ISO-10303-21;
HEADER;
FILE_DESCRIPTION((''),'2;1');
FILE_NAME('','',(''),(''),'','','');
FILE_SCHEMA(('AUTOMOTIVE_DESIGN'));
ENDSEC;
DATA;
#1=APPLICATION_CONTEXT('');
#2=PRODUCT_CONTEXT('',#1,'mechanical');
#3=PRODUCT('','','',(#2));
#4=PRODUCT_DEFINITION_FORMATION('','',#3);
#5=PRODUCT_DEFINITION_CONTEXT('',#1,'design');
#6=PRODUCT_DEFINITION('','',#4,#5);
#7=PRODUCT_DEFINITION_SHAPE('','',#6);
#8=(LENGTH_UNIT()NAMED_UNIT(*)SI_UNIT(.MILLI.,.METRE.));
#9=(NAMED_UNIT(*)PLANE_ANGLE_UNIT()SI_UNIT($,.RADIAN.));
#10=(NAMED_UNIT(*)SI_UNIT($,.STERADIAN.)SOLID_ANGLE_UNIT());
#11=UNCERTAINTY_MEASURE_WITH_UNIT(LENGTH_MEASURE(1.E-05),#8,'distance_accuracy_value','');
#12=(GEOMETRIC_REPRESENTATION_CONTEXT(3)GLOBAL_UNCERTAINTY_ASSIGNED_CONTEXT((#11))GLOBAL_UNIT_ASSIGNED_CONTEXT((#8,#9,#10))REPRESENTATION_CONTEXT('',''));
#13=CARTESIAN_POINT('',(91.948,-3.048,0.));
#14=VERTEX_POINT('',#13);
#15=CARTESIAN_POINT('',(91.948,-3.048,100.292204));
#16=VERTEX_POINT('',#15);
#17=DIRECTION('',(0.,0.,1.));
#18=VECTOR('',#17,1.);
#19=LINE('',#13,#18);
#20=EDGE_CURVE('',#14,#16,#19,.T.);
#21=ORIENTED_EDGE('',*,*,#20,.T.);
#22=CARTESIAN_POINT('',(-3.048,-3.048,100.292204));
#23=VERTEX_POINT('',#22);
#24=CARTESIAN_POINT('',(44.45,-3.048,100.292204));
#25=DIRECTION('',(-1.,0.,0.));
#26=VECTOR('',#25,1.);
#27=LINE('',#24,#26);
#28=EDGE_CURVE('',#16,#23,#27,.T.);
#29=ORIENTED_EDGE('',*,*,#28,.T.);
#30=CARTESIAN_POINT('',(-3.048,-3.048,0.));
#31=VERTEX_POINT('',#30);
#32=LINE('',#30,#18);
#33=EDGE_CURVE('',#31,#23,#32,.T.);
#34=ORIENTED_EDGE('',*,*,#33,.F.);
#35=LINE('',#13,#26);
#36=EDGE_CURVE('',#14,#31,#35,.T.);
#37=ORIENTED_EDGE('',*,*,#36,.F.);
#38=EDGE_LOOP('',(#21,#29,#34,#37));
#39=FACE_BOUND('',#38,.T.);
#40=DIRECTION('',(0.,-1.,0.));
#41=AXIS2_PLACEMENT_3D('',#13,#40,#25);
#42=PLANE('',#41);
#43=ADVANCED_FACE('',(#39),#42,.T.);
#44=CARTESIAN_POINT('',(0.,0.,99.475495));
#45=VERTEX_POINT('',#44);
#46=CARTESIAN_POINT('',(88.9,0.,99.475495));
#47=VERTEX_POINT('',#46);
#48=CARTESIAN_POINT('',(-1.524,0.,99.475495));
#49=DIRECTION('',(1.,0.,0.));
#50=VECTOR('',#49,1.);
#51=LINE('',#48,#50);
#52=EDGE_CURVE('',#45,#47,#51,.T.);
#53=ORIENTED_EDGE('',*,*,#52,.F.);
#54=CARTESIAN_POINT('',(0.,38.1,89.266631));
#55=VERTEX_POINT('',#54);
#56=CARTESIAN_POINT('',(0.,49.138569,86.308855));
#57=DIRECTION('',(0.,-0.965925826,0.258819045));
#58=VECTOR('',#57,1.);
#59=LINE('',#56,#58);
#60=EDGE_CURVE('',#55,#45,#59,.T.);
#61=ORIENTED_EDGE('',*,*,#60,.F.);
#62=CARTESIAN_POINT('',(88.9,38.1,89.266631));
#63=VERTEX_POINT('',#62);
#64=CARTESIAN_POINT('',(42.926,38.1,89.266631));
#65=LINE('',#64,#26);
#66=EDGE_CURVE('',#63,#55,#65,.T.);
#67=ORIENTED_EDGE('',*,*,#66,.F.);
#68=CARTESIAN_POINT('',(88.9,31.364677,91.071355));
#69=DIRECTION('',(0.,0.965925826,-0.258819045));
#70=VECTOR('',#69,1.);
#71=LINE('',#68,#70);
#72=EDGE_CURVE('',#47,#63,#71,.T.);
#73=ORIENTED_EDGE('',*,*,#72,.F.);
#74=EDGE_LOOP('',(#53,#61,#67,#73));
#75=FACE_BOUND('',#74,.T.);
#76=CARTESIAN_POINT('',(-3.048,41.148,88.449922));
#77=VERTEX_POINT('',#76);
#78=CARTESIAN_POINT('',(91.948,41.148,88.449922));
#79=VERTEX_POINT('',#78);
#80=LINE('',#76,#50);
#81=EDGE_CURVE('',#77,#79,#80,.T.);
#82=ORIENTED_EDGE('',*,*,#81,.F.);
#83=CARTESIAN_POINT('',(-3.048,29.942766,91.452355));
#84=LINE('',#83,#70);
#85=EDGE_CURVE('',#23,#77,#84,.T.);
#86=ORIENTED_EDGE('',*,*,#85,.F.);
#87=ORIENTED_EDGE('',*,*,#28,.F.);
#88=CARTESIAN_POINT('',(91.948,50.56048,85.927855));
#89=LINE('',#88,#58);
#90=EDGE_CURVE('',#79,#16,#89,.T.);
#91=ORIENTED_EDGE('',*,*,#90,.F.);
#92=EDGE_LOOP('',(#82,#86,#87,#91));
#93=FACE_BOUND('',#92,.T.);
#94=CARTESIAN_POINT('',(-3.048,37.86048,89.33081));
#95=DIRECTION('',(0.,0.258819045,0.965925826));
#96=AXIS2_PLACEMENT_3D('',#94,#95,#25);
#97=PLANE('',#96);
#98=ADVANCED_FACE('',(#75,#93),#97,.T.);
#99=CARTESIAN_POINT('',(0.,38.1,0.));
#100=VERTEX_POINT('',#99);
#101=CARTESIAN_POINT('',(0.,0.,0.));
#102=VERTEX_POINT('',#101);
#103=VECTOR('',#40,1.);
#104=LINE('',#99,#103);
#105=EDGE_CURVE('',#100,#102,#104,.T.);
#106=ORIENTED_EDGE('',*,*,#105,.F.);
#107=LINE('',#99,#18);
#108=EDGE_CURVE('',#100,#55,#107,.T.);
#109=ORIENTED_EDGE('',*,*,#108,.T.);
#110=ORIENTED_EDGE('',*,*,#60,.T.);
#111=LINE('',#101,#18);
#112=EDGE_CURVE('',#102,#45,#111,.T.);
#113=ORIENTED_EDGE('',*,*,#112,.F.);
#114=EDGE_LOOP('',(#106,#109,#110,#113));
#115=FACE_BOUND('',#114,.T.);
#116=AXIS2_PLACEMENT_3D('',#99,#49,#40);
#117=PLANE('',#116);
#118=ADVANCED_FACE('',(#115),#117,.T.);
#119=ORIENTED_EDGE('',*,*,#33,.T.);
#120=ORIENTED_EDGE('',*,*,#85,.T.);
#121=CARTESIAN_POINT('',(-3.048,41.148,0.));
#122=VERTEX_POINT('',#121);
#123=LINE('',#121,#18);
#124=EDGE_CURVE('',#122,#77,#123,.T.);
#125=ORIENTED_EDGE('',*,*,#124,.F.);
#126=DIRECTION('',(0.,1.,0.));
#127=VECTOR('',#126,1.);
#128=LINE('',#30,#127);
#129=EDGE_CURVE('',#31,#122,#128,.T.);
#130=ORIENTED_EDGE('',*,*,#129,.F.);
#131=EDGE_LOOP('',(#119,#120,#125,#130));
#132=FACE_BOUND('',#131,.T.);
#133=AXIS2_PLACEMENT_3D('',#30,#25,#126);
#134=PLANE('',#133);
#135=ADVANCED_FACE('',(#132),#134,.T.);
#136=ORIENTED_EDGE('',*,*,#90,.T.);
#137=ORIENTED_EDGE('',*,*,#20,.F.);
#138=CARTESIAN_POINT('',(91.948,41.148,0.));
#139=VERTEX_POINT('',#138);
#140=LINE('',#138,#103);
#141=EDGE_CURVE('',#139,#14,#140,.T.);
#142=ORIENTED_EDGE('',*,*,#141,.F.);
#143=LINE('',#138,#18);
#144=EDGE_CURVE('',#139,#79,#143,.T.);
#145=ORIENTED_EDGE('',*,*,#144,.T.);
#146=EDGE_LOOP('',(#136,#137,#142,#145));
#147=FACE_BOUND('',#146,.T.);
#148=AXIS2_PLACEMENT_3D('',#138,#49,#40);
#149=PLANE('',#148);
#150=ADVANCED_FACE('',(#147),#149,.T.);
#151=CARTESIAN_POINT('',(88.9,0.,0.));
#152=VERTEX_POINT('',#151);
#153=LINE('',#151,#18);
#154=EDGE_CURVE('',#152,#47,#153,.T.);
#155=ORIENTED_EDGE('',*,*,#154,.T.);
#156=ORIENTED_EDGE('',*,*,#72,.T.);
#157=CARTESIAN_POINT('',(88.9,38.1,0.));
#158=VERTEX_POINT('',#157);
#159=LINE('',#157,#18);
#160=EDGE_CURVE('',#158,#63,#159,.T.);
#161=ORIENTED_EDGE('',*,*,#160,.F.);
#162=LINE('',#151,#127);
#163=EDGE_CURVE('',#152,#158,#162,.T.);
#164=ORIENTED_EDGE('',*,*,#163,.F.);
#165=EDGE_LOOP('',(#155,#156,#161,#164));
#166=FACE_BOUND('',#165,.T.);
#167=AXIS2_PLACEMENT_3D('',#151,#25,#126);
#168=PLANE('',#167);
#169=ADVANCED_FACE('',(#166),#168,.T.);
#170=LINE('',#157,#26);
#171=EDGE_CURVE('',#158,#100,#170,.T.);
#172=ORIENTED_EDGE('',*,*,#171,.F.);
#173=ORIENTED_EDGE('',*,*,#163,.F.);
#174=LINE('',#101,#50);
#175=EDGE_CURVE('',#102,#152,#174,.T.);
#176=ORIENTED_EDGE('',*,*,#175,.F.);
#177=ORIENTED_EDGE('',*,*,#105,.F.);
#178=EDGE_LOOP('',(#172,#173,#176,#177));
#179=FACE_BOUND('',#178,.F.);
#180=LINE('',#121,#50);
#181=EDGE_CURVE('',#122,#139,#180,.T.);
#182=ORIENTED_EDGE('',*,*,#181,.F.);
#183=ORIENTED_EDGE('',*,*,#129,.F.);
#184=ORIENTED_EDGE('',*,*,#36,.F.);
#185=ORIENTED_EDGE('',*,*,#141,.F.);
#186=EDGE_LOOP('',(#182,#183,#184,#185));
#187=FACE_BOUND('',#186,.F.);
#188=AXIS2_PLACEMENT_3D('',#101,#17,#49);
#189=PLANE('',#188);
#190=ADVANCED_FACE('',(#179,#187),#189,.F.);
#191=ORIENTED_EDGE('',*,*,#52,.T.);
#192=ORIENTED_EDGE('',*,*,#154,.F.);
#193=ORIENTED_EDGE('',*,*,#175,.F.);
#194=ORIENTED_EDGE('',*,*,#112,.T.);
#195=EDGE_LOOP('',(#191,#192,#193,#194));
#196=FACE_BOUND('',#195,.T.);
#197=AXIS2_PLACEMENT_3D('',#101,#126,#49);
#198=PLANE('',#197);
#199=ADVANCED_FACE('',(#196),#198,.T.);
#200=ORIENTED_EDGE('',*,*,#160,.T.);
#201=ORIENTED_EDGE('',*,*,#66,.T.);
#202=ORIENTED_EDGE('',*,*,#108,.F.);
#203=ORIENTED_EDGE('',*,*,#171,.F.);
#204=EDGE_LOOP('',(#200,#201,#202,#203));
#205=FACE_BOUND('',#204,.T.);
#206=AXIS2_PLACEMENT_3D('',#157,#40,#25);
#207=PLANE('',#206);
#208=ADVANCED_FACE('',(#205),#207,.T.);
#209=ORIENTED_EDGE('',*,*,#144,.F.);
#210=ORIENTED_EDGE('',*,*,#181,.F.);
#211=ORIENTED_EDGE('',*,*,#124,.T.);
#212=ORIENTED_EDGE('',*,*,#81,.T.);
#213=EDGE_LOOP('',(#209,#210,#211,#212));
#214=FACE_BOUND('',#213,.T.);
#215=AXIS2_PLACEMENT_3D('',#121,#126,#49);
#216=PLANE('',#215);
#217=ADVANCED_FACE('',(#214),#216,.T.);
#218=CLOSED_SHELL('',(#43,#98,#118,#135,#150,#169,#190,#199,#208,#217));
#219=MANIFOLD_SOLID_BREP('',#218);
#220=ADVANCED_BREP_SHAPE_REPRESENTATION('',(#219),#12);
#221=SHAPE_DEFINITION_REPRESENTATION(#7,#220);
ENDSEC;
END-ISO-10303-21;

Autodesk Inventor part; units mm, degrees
ref_plane "YZ Plane" through (0, 0, 0) normal (1, 0, 0) x (0, 1, 0)
ref_plane "XZ Plane" through (0, 0, 0) normal (0, 1, 0) x (-1, 0, 0)
sketch "Sketch1" plane through (0, 0, 0) normal (0, 0, 1) x (1, 0, 0)
  line L0 (0, 0) -> (88.9, 0)
  line L1 (88.9, 0) -> (88.9, 38.1)
  line L2 (88.9, 38.1) -> (0, 38.1)
  line L3 (0, 38.1) -> (0, 0)
  line L4 (-3.048, 41.148) -> (91.948, 41.148)
  line L5 (91.948, 41.148) -> (91.948, -3.048)
  line L6 (91.948, -3.048) -> (-3.048, -3.048)
  line L7 (-3.048, -3.048) -> (-3.048, 41.148)
  dimension "d0" = 88.9
  dimension "d1" = 38.1
  dimension "d2" = 3.048
extrude "Extrusion1" add sketch "Sketch1" along normal blind 101.6
ref_plane "Work Plane2" through (-3.048, 41.148, 101.6) normal (0, 0.2588, 0.9659) x (-1, 0, 0)
sketch "Sketch3" plane through (-3.048, 41.148, 101.6) normal (0, 0.2588, 0.9659) x (-1, 0, 0)
  line L0 (-130.175, -76.2) -> (53.975, -76.2)
  line L1 (53.975, -76.2) -> (53.975, 57.15)
  line L2 (53.975, 57.15) -> (-130.175, 57.15)
  line L3 (-130.175, 57.15) -> (-130.175, -76.2)
  point P0 (-3.048, 13.4499)
extrude "Extrusion3" cut sketch "Sketch3" against normal blind 12.7
properties part number "endHoriz" material "Steel, Galvanized"
